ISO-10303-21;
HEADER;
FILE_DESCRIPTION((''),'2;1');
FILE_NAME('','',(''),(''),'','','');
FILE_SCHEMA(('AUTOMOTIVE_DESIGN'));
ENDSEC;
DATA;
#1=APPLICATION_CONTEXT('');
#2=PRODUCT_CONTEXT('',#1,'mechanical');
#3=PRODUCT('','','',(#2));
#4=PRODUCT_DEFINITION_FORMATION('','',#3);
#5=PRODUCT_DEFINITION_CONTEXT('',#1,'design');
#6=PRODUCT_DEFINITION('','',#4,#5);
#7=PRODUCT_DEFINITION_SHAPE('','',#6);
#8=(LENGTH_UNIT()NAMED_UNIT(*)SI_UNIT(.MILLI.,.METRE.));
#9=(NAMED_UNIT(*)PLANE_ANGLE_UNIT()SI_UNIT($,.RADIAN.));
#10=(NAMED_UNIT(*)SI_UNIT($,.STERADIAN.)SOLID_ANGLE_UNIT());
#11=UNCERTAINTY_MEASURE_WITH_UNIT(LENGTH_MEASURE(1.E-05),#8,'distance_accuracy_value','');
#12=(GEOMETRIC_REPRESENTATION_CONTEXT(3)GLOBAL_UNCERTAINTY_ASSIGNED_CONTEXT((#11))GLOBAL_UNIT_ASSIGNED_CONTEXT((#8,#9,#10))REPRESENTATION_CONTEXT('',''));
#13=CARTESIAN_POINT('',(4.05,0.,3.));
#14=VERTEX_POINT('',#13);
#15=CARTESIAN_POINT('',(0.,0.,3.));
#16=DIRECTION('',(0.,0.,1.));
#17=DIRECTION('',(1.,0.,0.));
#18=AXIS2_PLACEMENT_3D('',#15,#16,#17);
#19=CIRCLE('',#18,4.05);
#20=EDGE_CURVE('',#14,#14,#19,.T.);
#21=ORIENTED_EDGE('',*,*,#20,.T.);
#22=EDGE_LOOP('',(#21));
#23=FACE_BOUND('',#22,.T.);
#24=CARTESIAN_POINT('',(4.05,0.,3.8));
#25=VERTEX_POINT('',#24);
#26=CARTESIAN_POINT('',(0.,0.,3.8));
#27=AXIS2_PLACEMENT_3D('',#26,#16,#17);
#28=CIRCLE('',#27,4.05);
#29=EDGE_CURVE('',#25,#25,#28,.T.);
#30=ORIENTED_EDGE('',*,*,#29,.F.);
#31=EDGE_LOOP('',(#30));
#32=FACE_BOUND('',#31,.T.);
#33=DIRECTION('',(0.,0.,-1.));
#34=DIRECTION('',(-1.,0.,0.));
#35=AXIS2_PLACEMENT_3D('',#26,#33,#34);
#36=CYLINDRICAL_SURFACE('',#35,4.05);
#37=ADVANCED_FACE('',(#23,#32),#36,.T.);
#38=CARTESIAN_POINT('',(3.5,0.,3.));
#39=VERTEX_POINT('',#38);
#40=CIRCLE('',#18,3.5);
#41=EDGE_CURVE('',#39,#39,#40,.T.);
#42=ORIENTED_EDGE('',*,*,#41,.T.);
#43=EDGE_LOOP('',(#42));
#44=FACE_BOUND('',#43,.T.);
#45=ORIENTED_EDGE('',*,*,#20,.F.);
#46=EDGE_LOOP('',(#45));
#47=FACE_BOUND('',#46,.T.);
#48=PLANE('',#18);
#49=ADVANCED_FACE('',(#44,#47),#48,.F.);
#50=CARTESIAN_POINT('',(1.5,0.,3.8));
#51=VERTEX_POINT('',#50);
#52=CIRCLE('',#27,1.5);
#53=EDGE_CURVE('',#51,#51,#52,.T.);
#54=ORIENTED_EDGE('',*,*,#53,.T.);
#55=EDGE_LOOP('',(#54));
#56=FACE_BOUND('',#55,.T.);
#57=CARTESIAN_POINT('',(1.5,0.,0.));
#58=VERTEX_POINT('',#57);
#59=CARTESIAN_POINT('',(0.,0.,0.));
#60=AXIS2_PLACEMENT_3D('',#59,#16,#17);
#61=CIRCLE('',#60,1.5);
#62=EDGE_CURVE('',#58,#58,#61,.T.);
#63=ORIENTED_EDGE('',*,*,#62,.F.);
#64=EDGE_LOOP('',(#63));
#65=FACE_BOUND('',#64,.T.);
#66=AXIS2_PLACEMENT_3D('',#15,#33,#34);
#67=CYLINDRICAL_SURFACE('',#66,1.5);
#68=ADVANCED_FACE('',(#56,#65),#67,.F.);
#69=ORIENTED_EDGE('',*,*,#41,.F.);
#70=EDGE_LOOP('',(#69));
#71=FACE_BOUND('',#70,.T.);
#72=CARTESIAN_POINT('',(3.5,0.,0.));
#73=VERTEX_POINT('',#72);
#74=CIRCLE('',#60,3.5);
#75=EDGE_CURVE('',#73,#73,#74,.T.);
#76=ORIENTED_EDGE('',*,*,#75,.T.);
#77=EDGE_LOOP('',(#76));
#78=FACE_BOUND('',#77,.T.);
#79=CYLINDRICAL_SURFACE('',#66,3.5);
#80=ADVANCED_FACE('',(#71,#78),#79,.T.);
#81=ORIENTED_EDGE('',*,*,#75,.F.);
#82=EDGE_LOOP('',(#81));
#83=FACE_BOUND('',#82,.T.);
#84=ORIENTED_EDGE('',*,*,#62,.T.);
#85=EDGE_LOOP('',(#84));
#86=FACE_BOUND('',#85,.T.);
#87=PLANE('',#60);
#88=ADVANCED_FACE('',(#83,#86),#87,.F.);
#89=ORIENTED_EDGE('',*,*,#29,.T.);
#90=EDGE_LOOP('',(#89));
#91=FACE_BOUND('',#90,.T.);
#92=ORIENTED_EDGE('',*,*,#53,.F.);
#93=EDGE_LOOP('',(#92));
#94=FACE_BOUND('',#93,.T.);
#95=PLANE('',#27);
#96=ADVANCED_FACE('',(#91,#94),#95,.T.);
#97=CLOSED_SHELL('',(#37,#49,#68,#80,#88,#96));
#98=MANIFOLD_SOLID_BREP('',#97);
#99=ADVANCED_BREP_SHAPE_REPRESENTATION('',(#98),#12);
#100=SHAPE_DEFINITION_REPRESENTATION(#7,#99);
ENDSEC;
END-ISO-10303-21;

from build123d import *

# Parameters (mm, degrees)
SKETCH_1_R      = 3.5
SKETCH_1_R_2    = 1.5
EXTRUDE_1_DEPTH = 3
SKETCH_2_R      = 4.05
SKETCH_2_R_2    = 1.5
EXTRUDE_2_DEPTH = 0.8


with BuildPart() as part:
    # 草图1 → 凸台-拉伸1 (new body)
    with BuildSketch(Plane.XY):
        Circle(SKETCH_1_R)
        Circle(SKETCH_1_R_2, mode=Mode.SUBTRACT)
    extrude(amount=EXTRUDE_1_DEPTH)

    # 草图2 → 凸台-拉伸2 (add)
    with BuildSketch(Plane.XY.offset(3)):
        Circle(SKETCH_2_R)
        Circle(SKETCH_2_R_2, mode=Mode.SUBTRACT)
    extrude(amount=EXTRUDE_2_DEPTH)


solid = part.part
